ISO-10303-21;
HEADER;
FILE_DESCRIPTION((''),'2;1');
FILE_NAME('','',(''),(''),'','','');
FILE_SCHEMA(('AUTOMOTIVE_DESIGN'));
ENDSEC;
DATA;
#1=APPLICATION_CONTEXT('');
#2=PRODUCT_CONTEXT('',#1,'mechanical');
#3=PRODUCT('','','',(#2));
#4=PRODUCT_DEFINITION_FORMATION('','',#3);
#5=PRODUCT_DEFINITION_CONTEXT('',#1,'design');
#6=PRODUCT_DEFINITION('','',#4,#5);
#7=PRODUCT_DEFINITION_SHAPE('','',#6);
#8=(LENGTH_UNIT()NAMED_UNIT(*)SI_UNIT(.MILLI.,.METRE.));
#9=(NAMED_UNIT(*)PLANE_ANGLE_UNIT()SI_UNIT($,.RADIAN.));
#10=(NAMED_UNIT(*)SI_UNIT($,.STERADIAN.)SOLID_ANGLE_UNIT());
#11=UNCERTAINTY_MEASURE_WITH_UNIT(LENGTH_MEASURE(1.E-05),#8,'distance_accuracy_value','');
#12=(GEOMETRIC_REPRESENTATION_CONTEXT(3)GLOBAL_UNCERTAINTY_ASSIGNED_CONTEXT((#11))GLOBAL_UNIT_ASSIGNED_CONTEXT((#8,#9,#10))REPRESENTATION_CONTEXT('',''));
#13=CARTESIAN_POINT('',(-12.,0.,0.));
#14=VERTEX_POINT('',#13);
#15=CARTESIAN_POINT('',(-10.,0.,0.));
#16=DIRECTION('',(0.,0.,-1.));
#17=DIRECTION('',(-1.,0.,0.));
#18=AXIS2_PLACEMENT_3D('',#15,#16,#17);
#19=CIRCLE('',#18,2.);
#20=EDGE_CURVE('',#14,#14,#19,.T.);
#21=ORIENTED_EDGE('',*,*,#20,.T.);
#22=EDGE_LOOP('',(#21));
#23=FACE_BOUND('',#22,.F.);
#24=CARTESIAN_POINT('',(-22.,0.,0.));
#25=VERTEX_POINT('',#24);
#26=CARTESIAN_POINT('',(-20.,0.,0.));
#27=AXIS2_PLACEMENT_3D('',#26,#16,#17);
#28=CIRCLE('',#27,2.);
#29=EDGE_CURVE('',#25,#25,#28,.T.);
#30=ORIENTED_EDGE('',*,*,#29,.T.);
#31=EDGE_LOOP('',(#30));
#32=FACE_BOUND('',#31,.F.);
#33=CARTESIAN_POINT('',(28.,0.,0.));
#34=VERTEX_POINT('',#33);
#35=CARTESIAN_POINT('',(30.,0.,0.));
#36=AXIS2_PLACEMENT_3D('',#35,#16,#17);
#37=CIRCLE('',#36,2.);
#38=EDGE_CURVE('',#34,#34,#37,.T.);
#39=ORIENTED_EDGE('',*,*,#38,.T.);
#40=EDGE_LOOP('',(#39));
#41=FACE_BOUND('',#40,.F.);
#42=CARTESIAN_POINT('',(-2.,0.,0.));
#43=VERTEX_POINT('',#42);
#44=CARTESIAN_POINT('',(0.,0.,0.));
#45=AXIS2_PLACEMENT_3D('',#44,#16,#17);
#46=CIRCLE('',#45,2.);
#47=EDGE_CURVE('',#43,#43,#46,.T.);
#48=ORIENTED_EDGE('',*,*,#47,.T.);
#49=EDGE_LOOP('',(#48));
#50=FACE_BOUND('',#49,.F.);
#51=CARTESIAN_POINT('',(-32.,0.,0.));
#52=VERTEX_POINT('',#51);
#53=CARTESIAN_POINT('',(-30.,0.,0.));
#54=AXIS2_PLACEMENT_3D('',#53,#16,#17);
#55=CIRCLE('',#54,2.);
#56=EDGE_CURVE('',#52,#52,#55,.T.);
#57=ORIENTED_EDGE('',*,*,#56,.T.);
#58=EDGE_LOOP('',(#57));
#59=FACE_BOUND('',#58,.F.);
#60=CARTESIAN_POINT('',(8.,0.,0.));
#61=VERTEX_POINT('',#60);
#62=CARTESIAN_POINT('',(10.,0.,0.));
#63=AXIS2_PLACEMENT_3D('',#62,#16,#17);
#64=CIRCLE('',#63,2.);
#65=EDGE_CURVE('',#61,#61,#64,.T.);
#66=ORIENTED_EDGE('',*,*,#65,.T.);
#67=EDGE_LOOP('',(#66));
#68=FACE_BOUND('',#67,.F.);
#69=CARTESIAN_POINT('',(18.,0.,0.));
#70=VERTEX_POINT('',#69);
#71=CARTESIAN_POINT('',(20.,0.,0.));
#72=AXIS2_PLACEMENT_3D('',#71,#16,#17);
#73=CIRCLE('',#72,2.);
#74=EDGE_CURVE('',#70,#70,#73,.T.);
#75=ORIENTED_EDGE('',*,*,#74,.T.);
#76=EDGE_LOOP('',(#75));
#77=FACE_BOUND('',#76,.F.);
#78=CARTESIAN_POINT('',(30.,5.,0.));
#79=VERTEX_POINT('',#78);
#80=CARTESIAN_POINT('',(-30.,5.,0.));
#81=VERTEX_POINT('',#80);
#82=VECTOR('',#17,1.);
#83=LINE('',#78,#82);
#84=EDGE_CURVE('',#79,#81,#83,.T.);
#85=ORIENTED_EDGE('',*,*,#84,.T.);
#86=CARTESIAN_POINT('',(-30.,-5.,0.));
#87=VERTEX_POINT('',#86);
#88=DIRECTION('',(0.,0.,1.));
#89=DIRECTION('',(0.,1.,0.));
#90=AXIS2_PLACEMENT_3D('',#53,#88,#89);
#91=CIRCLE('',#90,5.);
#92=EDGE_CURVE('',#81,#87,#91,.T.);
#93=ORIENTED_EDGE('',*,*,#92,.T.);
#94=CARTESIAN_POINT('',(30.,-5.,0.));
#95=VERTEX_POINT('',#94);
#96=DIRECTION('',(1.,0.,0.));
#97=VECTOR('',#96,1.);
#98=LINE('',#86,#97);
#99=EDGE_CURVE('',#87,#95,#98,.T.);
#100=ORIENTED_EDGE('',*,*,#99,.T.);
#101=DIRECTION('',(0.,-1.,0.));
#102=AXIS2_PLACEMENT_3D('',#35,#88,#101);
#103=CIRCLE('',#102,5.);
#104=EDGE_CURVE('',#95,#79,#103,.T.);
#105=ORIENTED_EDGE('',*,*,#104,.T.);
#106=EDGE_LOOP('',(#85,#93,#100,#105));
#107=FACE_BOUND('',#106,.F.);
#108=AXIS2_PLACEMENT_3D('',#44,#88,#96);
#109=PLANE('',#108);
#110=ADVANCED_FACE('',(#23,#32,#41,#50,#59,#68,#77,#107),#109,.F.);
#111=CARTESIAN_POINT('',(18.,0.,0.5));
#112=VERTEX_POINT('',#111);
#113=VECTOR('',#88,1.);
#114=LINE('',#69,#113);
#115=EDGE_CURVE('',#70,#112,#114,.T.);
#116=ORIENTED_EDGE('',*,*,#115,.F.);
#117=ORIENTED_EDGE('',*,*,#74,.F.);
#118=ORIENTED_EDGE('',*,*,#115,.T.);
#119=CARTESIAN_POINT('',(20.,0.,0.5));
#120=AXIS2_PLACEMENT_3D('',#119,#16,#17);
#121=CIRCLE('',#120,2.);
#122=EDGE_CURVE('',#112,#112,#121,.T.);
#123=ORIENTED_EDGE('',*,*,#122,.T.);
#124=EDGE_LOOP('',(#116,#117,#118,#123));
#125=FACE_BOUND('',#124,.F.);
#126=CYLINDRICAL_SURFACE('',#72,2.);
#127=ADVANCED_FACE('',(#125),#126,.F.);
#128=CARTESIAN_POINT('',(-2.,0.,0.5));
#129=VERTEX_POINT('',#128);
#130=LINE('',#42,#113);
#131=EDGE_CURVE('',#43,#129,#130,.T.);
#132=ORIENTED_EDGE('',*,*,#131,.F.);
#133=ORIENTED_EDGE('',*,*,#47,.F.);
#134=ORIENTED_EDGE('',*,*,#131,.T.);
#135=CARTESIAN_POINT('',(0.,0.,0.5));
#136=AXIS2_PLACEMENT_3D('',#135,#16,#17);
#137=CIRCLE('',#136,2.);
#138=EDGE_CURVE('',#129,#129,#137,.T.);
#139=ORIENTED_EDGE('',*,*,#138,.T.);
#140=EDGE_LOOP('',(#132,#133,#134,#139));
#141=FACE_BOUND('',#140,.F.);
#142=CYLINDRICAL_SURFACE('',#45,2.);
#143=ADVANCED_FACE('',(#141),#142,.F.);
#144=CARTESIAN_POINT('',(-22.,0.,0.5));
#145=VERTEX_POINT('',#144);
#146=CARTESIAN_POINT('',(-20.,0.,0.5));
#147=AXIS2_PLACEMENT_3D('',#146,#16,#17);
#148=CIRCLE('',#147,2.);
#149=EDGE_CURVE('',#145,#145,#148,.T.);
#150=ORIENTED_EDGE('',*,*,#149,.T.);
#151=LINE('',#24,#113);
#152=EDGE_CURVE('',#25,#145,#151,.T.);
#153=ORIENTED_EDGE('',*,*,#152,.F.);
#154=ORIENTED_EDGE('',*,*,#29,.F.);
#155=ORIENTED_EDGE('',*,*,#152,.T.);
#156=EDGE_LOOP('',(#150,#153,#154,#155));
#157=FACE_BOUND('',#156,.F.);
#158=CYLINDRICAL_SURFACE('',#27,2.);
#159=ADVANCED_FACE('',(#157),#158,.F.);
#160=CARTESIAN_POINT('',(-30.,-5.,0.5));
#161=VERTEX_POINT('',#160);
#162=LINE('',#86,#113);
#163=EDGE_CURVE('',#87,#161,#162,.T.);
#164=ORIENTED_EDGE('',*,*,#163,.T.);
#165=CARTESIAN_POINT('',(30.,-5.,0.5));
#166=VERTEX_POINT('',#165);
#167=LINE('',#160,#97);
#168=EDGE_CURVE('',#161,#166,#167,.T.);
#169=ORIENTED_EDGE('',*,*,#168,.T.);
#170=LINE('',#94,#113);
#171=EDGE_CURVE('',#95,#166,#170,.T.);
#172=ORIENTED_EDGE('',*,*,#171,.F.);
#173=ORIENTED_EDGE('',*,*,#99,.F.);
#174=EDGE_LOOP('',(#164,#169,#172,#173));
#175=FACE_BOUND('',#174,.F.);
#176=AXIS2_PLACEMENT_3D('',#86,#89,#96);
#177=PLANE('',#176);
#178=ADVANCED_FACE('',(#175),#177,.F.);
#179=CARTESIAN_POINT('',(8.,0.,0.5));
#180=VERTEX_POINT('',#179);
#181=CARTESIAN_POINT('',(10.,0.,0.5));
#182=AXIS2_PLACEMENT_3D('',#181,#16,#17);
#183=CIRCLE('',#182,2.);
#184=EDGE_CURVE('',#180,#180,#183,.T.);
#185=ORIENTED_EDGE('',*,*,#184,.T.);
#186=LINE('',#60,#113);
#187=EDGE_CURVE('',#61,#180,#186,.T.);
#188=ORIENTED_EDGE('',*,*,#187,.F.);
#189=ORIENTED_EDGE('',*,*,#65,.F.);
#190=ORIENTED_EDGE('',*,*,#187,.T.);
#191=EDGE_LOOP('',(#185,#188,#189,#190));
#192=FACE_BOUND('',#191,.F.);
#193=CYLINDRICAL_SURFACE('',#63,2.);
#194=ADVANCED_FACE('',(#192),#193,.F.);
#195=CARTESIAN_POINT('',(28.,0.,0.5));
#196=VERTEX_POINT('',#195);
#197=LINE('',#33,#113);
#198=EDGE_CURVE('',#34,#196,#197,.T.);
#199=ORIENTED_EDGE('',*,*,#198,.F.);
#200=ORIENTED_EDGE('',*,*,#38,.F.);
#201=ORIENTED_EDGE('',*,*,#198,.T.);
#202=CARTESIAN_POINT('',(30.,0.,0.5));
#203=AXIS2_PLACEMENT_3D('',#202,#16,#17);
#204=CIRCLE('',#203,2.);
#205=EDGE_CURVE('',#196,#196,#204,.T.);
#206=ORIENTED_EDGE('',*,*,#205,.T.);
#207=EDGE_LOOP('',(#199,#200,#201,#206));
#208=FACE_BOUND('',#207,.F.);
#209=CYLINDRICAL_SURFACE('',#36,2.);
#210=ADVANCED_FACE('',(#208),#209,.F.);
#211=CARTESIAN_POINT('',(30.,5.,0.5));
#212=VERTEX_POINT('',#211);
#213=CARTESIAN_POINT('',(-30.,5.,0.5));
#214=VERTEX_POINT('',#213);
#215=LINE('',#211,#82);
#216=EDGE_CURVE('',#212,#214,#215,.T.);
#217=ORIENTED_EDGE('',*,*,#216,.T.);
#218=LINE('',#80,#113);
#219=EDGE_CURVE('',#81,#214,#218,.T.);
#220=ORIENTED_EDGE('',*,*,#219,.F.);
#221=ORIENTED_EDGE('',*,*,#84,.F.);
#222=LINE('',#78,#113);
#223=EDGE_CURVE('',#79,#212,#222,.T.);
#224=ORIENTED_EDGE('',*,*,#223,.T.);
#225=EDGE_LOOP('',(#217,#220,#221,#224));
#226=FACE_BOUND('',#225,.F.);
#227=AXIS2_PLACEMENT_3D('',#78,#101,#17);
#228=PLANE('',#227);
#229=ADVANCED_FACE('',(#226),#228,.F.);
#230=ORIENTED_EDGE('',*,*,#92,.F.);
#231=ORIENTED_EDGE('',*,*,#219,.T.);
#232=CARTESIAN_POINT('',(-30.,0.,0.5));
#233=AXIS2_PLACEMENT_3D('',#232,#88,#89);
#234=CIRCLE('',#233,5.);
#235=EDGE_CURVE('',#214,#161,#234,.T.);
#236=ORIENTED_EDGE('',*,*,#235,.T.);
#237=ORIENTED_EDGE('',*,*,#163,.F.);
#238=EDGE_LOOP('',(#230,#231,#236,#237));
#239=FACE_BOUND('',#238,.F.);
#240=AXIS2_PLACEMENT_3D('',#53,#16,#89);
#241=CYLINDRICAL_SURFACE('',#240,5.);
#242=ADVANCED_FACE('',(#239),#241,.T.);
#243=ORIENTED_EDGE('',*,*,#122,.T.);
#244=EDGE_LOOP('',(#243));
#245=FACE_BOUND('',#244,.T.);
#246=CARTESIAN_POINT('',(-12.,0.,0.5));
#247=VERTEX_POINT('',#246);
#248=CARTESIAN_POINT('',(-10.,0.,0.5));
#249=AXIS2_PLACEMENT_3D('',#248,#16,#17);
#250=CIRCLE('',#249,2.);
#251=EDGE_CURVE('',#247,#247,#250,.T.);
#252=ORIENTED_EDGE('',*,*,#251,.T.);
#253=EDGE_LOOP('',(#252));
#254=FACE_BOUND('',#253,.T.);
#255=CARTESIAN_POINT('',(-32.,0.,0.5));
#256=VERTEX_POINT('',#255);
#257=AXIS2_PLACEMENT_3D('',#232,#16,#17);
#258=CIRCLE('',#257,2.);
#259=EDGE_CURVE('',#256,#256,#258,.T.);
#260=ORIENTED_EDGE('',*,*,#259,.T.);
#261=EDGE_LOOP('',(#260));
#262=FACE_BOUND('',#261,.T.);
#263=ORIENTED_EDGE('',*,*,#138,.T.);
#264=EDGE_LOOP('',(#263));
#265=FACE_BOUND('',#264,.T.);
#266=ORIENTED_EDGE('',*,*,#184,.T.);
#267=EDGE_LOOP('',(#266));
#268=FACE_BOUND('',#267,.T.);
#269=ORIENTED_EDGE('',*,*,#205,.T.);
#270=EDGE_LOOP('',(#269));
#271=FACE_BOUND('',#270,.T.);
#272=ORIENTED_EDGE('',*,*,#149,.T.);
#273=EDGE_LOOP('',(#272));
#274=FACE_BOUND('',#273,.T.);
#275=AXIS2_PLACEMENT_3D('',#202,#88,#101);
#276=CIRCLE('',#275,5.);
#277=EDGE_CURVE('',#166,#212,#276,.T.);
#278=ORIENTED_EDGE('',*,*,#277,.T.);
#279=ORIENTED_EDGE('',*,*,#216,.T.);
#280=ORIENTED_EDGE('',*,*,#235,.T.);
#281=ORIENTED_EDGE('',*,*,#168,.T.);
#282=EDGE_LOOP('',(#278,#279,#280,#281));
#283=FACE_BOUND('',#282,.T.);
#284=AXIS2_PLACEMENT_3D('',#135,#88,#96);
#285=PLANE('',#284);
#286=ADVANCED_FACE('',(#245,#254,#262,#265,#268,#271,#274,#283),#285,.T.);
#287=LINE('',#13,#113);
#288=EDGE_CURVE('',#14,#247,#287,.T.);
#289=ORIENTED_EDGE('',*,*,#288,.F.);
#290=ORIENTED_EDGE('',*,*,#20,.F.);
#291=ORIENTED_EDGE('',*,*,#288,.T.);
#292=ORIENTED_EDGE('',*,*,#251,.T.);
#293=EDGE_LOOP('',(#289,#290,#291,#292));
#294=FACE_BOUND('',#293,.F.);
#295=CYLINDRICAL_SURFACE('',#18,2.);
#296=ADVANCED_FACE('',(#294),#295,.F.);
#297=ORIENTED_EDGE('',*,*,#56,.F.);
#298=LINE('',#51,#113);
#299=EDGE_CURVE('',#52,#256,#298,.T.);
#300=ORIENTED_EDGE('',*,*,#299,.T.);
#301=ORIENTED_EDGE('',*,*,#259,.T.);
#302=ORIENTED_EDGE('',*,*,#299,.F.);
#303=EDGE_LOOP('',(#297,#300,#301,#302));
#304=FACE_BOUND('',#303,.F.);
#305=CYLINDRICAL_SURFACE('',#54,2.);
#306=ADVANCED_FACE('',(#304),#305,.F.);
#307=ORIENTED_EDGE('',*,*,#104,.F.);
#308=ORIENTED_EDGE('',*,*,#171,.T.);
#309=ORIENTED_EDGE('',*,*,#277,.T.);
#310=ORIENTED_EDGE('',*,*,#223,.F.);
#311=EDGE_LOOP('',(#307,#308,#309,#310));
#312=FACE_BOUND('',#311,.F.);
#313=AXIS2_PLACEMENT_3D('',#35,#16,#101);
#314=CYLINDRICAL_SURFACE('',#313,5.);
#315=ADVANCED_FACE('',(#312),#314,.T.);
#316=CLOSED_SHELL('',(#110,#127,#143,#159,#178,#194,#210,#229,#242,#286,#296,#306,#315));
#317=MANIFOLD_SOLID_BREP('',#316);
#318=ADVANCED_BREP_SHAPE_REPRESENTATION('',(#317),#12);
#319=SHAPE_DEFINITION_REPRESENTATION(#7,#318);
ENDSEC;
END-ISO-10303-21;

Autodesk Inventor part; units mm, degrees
ref_plane "YZ Plane" through (0, 0, 0) normal (1, 0, 0) x (0, 1, 0)
ref_plane "XZ Plane" through (0, 0, 0) normal (0, 1, 0) x (-1, 0, 0)
ref_plane "XY Plane" through (0, 0, 0) normal (0, 0, 1) x (1, 0, 0)
sketch "Náčrt1" plane through (0, 0, 0) normal (0, 0, 1) x (1, 0, 0)
  line L0 (-30, 0) -> (30, 0) construction
  line L1 (-30, -5) -> (30, -5)
  line L2 (30, 5) -> (-30, 5)
  arc A0 (-30, 5) -> (-30, -5) centre (-30, 0) ccw
  arc A1 (30, -5) -> (30, 5) centre (30, 0) ccw
  point P0 (0, 0)
  point P1 (35, 0)
  dimension "d0" = 35
  dimension "d1" = 5
extrude "Vysunutí1" add sketch "Náčrt1" along normal blind 0.5
sketch "Náčrt2" plane through (0, 0, 0) normal (0, 0, -1) x (-1, 0, 0)
  arc A0 (30, -5) -> (30, 5) centre (30, 0) ccw projected
  circle A1 centre (30, 0) radius 2
  point P0 (0, 0)
  dimension "d4" = 4
extrude "Vysunutí2" cut sketch "Náčrt2" against normal through all
pattern_linear "Obdélníkové pole1" count 7 spacing 10 along (1, 0, 0) of "Vysunutí2"
properties part number "1007"
